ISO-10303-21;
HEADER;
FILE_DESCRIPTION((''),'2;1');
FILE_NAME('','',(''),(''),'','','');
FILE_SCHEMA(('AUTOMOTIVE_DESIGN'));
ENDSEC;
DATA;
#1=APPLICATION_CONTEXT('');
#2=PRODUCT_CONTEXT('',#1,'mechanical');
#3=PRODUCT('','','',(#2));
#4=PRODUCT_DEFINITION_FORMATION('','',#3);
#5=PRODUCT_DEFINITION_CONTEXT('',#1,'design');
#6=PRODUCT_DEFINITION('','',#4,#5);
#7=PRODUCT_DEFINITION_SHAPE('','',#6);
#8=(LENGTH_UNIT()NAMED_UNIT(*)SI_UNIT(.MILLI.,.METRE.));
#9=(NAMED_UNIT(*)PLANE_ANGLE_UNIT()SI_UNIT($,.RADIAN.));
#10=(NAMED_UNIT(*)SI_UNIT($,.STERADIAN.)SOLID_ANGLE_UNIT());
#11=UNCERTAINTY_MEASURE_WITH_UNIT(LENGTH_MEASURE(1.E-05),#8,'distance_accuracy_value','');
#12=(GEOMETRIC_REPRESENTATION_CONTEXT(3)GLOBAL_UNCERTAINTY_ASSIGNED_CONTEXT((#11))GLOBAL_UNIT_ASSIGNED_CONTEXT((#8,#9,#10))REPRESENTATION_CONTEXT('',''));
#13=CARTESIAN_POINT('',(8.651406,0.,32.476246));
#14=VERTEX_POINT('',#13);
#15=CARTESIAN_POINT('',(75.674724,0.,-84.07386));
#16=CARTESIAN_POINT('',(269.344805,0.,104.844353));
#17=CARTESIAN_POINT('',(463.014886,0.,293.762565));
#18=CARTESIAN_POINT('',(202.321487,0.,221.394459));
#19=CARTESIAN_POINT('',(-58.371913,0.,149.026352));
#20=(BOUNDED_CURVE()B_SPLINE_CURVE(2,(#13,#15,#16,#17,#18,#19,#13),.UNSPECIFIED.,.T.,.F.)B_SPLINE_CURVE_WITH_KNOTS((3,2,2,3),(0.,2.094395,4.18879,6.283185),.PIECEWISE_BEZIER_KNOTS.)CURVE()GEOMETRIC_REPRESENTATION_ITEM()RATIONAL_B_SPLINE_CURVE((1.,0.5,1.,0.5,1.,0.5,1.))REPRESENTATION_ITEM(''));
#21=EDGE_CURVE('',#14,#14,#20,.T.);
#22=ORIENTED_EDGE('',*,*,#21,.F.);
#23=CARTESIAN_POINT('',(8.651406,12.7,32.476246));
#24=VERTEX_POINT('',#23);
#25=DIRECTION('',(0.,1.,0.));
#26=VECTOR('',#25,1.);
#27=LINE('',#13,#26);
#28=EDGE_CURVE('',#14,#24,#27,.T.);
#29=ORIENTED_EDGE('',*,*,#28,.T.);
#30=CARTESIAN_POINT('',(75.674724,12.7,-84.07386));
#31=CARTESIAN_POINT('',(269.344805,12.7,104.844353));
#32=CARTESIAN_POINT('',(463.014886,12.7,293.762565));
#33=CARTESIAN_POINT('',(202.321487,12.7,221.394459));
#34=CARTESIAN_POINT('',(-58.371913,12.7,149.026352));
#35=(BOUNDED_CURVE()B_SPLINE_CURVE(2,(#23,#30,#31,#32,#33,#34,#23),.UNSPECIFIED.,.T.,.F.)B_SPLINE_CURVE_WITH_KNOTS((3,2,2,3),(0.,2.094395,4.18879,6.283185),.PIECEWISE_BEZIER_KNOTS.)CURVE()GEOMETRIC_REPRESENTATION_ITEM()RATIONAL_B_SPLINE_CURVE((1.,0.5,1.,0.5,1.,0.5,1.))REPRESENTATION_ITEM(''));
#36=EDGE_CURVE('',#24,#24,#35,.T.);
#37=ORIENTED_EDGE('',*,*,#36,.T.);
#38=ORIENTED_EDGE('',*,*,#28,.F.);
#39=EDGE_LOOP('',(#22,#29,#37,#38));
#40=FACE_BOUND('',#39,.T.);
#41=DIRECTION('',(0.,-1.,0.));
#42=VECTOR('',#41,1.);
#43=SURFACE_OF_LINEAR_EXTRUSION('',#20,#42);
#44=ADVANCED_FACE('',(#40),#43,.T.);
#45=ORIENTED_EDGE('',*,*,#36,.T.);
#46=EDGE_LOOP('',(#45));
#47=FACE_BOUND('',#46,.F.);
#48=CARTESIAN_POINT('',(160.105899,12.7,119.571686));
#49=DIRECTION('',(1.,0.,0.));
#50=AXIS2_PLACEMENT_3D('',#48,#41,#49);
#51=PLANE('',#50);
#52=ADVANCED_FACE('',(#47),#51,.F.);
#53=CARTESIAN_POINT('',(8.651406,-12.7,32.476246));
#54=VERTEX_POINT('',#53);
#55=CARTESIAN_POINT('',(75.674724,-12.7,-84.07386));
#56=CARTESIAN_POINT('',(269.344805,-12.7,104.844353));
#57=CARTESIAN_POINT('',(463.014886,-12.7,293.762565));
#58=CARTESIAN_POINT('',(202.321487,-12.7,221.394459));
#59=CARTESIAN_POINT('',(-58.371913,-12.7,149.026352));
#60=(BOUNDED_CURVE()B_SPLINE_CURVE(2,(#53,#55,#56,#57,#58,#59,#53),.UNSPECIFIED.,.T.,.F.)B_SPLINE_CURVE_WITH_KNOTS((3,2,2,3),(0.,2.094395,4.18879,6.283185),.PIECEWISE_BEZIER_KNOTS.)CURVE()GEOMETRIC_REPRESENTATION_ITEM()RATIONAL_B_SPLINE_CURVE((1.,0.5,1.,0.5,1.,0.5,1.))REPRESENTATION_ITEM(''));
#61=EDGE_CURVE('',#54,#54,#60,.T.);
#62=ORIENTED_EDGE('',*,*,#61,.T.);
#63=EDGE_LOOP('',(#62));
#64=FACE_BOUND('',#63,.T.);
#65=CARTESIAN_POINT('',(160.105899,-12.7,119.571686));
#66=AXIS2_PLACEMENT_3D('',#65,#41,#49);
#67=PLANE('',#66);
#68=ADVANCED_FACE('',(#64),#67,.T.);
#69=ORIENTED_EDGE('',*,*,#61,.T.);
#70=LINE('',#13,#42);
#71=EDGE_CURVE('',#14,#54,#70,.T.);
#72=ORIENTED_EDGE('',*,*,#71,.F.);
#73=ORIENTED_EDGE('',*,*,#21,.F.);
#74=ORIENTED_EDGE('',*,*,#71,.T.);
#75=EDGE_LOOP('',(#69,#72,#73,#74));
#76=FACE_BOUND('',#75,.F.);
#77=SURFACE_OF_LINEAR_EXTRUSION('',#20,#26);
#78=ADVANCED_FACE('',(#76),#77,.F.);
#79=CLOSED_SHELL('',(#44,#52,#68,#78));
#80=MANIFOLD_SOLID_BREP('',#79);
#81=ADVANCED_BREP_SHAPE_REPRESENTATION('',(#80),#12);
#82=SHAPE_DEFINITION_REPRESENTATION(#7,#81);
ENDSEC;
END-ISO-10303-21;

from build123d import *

# Parameters (mm, degrees)
F1_DEPTH = 12.7


with BuildPart() as f1:
    # F0 (on Front) → F1 (new body, symmetric)
    with BuildSketch(Plane.XZ):
        with BuildLine():
            add(Edge.make_bspline(
                [(8.651406, 32.476246), (75.674724, -84.07386), (269.344805, 104.844353), (463.014886, 293.762565), (202.321487, 221.394459), (-58.371913, 149.026352), (8.651406, 32.476246)],
                knots=[0, 0, 0, 2.094395, 2.094395, 4.18879, 4.18879, 6.283185, 6.283185, 6.283185], degree=2, weights=[1, 0.5, 1, 0.5, 1, 0.5, 1]))
        make_face()
    extrude(amount=F1_DEPTH, both=True)


solid = f1.part
